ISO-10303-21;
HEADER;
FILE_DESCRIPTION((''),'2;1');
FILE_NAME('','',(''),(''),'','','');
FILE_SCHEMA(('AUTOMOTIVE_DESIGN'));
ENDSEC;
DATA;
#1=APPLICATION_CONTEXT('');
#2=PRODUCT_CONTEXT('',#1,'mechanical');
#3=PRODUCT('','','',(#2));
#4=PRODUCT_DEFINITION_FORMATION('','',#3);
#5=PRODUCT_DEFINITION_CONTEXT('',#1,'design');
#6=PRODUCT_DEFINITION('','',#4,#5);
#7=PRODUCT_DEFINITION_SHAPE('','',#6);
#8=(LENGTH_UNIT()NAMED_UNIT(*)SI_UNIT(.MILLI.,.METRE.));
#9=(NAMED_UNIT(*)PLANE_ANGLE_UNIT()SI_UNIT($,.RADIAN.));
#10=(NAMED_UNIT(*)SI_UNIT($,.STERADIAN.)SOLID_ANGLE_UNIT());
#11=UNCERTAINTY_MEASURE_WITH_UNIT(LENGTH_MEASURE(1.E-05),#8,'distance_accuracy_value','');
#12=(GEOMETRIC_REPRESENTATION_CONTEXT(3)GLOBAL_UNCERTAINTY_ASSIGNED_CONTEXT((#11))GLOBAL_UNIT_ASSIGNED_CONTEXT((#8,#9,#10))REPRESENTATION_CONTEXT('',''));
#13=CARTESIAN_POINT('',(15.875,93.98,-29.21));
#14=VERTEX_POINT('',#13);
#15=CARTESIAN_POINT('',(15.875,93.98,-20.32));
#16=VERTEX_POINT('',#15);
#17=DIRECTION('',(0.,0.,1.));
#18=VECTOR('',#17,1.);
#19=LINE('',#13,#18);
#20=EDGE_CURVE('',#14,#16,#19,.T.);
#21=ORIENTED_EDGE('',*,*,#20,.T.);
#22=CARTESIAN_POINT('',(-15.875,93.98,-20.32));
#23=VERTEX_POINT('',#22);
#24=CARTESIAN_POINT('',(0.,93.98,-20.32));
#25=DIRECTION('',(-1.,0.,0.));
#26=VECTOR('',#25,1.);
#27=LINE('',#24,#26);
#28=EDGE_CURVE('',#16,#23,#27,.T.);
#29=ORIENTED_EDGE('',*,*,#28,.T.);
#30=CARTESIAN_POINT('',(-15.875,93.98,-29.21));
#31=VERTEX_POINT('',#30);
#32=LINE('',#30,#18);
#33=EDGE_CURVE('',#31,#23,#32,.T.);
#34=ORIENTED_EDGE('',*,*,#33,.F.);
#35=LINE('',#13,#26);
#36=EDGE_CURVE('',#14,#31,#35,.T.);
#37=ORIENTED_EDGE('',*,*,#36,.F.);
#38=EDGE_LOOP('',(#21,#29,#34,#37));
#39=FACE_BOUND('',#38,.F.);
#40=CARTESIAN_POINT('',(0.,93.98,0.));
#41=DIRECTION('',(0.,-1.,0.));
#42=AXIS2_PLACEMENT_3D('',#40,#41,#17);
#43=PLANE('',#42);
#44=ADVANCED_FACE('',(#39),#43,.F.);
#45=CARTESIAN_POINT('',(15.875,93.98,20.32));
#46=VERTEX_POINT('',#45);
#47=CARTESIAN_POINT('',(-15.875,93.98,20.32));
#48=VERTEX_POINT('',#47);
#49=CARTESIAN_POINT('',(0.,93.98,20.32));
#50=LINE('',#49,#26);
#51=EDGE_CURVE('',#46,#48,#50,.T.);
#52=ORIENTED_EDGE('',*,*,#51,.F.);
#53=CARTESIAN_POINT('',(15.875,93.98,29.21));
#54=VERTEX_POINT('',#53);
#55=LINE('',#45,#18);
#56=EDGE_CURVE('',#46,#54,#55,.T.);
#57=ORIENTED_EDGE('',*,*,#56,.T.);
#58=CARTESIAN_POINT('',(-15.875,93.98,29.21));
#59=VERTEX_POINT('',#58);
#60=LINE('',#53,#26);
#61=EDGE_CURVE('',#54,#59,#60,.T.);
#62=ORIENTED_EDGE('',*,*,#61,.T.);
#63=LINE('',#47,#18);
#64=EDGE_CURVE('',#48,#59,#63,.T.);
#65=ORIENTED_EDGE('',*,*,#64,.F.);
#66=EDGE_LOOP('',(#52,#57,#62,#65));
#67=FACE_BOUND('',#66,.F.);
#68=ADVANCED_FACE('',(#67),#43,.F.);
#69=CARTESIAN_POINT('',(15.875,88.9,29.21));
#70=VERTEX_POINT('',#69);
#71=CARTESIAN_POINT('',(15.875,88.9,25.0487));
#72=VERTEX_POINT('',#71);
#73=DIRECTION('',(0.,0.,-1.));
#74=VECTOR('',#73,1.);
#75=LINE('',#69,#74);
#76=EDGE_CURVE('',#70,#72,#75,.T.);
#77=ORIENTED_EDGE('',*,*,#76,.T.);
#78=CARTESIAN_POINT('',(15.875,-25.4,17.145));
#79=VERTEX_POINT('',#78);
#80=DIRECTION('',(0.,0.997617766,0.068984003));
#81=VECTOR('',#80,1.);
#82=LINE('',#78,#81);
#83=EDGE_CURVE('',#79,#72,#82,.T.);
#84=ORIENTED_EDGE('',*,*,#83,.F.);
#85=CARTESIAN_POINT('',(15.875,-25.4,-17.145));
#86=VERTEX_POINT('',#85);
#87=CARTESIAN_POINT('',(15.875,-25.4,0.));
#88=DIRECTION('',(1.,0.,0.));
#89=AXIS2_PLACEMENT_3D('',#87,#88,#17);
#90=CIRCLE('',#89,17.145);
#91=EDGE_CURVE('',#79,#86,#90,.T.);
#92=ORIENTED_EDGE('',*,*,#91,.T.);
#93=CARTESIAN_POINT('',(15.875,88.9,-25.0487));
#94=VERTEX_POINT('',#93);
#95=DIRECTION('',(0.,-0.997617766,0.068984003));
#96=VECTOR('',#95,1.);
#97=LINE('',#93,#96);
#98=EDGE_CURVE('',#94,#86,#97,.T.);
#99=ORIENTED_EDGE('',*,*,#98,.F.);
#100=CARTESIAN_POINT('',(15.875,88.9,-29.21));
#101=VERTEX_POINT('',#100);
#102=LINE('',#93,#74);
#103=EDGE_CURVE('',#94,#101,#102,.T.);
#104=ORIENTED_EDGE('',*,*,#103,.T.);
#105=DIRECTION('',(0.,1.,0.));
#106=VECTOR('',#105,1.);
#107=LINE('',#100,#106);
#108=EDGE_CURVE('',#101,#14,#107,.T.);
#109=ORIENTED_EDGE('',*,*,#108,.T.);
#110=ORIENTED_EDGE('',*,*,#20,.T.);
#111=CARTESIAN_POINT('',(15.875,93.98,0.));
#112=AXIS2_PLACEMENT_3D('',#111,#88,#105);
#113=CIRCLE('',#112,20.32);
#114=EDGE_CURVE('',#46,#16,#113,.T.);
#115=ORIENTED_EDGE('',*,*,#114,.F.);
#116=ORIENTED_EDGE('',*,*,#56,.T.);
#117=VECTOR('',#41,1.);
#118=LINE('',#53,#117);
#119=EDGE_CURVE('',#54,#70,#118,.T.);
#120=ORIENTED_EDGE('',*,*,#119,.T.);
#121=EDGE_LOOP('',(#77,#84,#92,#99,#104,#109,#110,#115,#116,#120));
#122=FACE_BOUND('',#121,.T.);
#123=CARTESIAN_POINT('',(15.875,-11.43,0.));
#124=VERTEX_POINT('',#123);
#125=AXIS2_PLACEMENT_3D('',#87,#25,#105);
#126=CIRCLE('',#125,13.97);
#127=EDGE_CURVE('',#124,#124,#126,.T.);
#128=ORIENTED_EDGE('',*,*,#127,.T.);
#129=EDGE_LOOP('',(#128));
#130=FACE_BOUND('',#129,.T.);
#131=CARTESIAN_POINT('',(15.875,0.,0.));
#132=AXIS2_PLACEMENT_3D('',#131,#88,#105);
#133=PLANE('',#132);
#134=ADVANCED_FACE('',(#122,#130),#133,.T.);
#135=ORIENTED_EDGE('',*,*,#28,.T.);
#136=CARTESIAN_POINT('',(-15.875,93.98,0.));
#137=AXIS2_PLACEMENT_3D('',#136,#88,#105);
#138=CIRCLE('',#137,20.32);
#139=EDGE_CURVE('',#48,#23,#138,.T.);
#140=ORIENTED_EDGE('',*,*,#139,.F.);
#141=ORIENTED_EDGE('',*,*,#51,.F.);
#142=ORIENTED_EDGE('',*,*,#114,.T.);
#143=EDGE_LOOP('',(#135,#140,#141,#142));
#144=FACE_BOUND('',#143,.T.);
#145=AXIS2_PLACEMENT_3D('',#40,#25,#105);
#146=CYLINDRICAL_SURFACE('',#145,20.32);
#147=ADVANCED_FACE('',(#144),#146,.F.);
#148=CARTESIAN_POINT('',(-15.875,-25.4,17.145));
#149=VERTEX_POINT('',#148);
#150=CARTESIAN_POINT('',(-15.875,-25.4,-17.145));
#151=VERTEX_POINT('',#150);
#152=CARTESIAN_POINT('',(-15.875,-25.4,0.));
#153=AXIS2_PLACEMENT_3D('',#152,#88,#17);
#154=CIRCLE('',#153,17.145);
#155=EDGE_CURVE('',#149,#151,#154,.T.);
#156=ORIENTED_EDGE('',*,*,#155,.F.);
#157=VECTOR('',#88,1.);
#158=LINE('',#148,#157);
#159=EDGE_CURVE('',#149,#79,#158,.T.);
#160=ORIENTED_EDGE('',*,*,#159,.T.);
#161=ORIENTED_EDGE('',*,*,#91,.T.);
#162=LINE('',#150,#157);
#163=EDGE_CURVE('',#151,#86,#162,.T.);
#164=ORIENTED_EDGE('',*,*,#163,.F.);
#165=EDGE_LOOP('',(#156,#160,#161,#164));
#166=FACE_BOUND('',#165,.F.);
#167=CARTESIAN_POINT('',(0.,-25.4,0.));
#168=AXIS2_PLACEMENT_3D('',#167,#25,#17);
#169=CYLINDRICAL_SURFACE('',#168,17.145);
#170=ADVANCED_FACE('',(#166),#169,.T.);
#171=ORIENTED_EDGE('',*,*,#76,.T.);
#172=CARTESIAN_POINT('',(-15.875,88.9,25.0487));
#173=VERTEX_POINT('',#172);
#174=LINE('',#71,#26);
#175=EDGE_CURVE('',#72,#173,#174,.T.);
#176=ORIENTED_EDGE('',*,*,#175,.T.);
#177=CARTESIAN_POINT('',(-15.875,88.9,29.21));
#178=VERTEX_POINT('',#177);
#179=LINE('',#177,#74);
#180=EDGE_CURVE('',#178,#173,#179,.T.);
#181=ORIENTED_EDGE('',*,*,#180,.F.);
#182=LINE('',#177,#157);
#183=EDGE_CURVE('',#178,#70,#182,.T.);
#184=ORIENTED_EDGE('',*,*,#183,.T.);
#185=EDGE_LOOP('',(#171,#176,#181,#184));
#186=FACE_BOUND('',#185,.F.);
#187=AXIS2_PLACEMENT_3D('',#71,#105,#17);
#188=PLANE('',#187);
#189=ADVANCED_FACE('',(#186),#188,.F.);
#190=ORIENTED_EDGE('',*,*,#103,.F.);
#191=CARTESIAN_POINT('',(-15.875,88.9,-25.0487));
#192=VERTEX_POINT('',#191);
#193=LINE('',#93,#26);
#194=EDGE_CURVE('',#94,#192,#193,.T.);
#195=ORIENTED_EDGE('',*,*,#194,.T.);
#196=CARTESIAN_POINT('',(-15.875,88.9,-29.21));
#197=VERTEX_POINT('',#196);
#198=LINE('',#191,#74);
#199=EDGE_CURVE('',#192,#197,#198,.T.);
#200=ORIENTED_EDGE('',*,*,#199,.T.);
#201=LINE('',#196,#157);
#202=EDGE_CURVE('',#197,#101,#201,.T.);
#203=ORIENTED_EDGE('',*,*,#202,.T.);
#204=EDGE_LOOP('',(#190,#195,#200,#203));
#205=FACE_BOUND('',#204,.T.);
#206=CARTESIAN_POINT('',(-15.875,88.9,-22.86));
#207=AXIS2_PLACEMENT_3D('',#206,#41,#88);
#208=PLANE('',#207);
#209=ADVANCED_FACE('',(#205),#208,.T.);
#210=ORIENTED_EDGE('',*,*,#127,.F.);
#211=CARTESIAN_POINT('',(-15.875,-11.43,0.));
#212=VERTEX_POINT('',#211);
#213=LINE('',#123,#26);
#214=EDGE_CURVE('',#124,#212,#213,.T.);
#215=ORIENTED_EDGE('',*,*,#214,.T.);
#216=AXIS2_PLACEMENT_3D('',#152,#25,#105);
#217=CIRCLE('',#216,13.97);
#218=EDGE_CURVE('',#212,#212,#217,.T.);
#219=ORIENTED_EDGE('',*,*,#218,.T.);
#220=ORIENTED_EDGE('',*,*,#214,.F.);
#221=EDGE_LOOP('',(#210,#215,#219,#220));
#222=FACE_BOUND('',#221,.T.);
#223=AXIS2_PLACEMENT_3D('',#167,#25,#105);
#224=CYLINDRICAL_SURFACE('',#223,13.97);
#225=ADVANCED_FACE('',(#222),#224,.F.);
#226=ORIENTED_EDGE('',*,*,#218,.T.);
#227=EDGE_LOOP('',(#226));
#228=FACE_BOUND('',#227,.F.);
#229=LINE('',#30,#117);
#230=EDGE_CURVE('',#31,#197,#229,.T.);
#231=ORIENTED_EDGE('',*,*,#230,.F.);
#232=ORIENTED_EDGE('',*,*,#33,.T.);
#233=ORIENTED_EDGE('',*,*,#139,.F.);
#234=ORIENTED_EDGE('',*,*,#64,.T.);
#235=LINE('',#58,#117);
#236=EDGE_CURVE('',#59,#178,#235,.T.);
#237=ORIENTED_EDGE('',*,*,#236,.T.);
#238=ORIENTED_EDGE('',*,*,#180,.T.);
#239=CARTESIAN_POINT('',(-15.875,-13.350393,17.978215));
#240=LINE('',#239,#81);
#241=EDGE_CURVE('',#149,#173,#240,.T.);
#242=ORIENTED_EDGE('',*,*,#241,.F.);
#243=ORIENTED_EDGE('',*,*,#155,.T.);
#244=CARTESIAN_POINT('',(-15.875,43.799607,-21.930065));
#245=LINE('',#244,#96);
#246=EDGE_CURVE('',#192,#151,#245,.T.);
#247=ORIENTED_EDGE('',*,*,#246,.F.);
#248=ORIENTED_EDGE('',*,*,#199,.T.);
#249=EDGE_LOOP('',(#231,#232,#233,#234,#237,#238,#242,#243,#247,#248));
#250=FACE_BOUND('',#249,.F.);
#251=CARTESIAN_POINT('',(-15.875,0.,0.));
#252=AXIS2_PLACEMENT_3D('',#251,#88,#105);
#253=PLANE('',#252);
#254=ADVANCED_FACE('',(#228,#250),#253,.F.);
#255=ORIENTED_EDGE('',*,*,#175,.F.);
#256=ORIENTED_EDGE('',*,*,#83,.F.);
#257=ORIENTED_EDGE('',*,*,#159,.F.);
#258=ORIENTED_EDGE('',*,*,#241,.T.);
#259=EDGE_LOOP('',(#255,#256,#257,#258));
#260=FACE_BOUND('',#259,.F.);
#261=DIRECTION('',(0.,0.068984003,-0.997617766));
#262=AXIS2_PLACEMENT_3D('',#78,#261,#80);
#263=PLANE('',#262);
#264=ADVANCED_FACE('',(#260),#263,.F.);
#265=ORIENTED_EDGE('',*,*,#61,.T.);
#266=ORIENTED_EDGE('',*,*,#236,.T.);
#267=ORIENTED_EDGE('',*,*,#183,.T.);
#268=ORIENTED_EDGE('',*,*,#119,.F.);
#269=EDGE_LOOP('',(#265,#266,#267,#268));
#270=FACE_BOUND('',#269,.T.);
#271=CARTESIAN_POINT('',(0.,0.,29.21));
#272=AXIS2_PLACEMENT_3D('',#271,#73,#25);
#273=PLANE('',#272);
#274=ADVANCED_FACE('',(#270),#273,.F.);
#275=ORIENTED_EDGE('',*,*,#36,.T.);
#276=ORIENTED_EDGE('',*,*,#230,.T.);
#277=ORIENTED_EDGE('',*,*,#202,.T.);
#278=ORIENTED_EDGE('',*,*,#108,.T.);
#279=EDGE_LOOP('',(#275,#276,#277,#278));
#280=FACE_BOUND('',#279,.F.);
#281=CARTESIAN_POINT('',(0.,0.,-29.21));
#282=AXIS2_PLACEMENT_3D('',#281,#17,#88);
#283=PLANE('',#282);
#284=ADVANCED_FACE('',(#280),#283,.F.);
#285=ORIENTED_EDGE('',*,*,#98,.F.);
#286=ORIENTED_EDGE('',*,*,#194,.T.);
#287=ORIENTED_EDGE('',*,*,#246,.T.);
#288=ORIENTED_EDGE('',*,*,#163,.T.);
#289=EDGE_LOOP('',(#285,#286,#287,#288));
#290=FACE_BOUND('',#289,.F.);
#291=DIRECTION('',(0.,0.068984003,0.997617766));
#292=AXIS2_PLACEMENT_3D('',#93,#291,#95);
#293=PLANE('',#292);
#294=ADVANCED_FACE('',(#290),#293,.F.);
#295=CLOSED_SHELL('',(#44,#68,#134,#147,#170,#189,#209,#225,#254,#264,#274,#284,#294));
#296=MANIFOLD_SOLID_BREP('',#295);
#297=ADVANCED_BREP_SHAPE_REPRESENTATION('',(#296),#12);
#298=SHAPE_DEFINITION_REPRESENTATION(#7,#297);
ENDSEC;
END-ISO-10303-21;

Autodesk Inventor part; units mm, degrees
ref_plane "YZ Plane" through (0, 0, 0) normal (1, 0, 0) x (0, 1, 0)
sketch "Sketch1" plane through (0, 0, 0) normal (0, 1, 0) x (-1, 0, 0)
  circle A0 centre (0, 0) radius 43.18
  dimension "d0" = 86.36
extrude "Extrusion1" add sketch "Sketch1" against normal blind 63.5
sketch "Sketch2" plane through (0, 0, 0) normal (0, 0, 1) x (1, 0, 0)
  line L0 (-43.18, 0) -> (43.18, 0) projected
  arc A0 (-43.18, 0) -> (43.18, 0) centre (0, 24.003) ccw
  line L1 (-43.18, -63.5) -> (43.18, -63.5) projected
  point P0 (0, 0)
  dimension "d4" = 38.1
extrude "Extrusion2" cut sketch "Sketch2" along normal mid plane 101.6
ref_plane "Work Plane1" through (0, 0, 0) normal (0, -1, 0) x (1, 0, 0)
sketch "Sketch3" plane through (0, 0, 0) normal (0, -1, 0) x (1, 0, 0)
  circle A0 centre (0, 0) radius 38.1
  dimension "d8" = 76.2
extrude "Extrusion3" cut sketch "Sketch3" along normal blind 57.15
sketch "Sketch4" plane through (0, 0, 0) normal (1, 0, 0) x (0, 1, 0)
  circle A0 centre (-25.4, 0) radius 12.7
  point P0 (0, 0)
  dimension "d11" = 25.4
  dimension "d12" = 25.4
  dimension "d13" = 0
extrude "Extrusion4" add sketch "Sketch4" along normal mid plane 78.74
sketch "Sketch5" plane through (0, 0, 0) normal (1, 0, 0) x (0, 1, 0)
  circle A0 centre (-25.4, 0) radius 13.97
  arc A1 (-25.4, 17.145) -> (-25.4, -17.145) centre (-25.4, 0) ccw
  line L0 (-63.5, 43.18) -> (-63.5, -43.18) projected
  circle A2 centre (93.98, 0) radius 20.32
  arc A3 (90.484, -25.1583) -> (93.98, 25.4) centre (93.98, 0) ccw
  line L1 (93.98, 25.4) -> (-25.4, 17.145)
  line L2 (90.484, -25.1583) -> (-25.4, -17.145)
  point P0 (0, 0)
  point P1 (-25.4, 12.7)
  dimension "d16" = 27.94
  dimension "d17" = 34.29
  dimension "d18" = 38.1
  dimension "d19" = 43.18
  dimension "d20" = 40.64
  dimension "d21" = 0
  dimension "d22" = 119.38
  dimension "d23" = 50.8
extrude "Extrusion5" add sketch "Sketch5" along normal mid plane 31.75
sketch "Sketch6" plane through (0, 0, 0) normal (1, 0, 0) x (0, 1, 0)
  circle A0 centre (93.98, 0) radius 20.32 construction
  line L0 (93.98, 0) -> (93.98, -43.5701)
  line L1 (93.98, 0) -> (93.98, 40.9183)
  line L2 (93.98, 40.9183) -> (142.8926, 40.9183)
  line L3 (142.8926, 40.9183) -> (133.2711, -47.8298)
  line L4 (133.2711, -47.8298) -> (93.98, -43.5701)
  point P0 (0, 0)
extrude "Extrusion6" cut sketch "Sketch6" along normal mid plane 2540
ref_plane "Work Plane2" through (0, 0, -22.86) normal (0, 0, 1) x (1, 0, 0)
sketch "Sketch7" plane through (0, 0, -22.86) normal (0, 0, 1) x (1, 0, 0)
  line L0 (15.875, 90.484) -> (15.875, 93.98) projected
  line L1 (-15.875, -25.4) -> (-15.875, 93.98) construction
  line L2 (15.875, 93.98) -> (-15.875, 93.98)
  line L3 (-15.875, 93.98) -> (-15.875, 88.9)
  line L4 (-15.875, 88.9) -> (15.875, 88.9)
  line L5 (15.875, 88.9) -> (15.875, 93.98)
  point P0 (0, 0)
  dimension "d29" = 5.08
extrude "Extrusion7" add sketch "Sketch7" against normal blind 6.35
mirror "Mirror1" about plane through (0, 0, 0) normal (0, 0, 1) of "Extrusion7"
sketch "Sketch8" plane through (15.875, 0, 0) normal (1, 0, 0) x (0, 0, -1)
  circle A0 centre (0, -25.4) radius 13.97 projected
  line L0 (-20.32, 93.98) -> (-29.21, 93.98) projected
  arc A1 (-20.32, 93.98) -> (20.32, 93.98) centre (0, 93.98) ccw projected
  line L1 (20.32, 93.98) -> (29.21, 93.98) projected
  line L2 (29.21, 88.9) -> (29.21, 93.98) projected
  line L3 (25.0487, 88.9) -> (29.21, 88.9) projected
  line L4 (25.0487, 88.9) -> (17.145, -25.4) projected
  arc A2 (-17.145, -25.4) -> (17.145, -25.4) centre (0, -25.4) ccw projected
  line L5 (-17.145, -25.4) -> (-25.0487, 88.9) projected
  line L6 (-25.0487, 88.9) -> (-29.21, 88.9) projected
  line L7 (-29.21, 88.9) -> (-29.21, 93.98) projected
  point P0 (0, 0)
extrude "Extrusion8" cut sketch "Sketch8" against normal blind 38.1 keep common part
properties part number "PistonsRod"
